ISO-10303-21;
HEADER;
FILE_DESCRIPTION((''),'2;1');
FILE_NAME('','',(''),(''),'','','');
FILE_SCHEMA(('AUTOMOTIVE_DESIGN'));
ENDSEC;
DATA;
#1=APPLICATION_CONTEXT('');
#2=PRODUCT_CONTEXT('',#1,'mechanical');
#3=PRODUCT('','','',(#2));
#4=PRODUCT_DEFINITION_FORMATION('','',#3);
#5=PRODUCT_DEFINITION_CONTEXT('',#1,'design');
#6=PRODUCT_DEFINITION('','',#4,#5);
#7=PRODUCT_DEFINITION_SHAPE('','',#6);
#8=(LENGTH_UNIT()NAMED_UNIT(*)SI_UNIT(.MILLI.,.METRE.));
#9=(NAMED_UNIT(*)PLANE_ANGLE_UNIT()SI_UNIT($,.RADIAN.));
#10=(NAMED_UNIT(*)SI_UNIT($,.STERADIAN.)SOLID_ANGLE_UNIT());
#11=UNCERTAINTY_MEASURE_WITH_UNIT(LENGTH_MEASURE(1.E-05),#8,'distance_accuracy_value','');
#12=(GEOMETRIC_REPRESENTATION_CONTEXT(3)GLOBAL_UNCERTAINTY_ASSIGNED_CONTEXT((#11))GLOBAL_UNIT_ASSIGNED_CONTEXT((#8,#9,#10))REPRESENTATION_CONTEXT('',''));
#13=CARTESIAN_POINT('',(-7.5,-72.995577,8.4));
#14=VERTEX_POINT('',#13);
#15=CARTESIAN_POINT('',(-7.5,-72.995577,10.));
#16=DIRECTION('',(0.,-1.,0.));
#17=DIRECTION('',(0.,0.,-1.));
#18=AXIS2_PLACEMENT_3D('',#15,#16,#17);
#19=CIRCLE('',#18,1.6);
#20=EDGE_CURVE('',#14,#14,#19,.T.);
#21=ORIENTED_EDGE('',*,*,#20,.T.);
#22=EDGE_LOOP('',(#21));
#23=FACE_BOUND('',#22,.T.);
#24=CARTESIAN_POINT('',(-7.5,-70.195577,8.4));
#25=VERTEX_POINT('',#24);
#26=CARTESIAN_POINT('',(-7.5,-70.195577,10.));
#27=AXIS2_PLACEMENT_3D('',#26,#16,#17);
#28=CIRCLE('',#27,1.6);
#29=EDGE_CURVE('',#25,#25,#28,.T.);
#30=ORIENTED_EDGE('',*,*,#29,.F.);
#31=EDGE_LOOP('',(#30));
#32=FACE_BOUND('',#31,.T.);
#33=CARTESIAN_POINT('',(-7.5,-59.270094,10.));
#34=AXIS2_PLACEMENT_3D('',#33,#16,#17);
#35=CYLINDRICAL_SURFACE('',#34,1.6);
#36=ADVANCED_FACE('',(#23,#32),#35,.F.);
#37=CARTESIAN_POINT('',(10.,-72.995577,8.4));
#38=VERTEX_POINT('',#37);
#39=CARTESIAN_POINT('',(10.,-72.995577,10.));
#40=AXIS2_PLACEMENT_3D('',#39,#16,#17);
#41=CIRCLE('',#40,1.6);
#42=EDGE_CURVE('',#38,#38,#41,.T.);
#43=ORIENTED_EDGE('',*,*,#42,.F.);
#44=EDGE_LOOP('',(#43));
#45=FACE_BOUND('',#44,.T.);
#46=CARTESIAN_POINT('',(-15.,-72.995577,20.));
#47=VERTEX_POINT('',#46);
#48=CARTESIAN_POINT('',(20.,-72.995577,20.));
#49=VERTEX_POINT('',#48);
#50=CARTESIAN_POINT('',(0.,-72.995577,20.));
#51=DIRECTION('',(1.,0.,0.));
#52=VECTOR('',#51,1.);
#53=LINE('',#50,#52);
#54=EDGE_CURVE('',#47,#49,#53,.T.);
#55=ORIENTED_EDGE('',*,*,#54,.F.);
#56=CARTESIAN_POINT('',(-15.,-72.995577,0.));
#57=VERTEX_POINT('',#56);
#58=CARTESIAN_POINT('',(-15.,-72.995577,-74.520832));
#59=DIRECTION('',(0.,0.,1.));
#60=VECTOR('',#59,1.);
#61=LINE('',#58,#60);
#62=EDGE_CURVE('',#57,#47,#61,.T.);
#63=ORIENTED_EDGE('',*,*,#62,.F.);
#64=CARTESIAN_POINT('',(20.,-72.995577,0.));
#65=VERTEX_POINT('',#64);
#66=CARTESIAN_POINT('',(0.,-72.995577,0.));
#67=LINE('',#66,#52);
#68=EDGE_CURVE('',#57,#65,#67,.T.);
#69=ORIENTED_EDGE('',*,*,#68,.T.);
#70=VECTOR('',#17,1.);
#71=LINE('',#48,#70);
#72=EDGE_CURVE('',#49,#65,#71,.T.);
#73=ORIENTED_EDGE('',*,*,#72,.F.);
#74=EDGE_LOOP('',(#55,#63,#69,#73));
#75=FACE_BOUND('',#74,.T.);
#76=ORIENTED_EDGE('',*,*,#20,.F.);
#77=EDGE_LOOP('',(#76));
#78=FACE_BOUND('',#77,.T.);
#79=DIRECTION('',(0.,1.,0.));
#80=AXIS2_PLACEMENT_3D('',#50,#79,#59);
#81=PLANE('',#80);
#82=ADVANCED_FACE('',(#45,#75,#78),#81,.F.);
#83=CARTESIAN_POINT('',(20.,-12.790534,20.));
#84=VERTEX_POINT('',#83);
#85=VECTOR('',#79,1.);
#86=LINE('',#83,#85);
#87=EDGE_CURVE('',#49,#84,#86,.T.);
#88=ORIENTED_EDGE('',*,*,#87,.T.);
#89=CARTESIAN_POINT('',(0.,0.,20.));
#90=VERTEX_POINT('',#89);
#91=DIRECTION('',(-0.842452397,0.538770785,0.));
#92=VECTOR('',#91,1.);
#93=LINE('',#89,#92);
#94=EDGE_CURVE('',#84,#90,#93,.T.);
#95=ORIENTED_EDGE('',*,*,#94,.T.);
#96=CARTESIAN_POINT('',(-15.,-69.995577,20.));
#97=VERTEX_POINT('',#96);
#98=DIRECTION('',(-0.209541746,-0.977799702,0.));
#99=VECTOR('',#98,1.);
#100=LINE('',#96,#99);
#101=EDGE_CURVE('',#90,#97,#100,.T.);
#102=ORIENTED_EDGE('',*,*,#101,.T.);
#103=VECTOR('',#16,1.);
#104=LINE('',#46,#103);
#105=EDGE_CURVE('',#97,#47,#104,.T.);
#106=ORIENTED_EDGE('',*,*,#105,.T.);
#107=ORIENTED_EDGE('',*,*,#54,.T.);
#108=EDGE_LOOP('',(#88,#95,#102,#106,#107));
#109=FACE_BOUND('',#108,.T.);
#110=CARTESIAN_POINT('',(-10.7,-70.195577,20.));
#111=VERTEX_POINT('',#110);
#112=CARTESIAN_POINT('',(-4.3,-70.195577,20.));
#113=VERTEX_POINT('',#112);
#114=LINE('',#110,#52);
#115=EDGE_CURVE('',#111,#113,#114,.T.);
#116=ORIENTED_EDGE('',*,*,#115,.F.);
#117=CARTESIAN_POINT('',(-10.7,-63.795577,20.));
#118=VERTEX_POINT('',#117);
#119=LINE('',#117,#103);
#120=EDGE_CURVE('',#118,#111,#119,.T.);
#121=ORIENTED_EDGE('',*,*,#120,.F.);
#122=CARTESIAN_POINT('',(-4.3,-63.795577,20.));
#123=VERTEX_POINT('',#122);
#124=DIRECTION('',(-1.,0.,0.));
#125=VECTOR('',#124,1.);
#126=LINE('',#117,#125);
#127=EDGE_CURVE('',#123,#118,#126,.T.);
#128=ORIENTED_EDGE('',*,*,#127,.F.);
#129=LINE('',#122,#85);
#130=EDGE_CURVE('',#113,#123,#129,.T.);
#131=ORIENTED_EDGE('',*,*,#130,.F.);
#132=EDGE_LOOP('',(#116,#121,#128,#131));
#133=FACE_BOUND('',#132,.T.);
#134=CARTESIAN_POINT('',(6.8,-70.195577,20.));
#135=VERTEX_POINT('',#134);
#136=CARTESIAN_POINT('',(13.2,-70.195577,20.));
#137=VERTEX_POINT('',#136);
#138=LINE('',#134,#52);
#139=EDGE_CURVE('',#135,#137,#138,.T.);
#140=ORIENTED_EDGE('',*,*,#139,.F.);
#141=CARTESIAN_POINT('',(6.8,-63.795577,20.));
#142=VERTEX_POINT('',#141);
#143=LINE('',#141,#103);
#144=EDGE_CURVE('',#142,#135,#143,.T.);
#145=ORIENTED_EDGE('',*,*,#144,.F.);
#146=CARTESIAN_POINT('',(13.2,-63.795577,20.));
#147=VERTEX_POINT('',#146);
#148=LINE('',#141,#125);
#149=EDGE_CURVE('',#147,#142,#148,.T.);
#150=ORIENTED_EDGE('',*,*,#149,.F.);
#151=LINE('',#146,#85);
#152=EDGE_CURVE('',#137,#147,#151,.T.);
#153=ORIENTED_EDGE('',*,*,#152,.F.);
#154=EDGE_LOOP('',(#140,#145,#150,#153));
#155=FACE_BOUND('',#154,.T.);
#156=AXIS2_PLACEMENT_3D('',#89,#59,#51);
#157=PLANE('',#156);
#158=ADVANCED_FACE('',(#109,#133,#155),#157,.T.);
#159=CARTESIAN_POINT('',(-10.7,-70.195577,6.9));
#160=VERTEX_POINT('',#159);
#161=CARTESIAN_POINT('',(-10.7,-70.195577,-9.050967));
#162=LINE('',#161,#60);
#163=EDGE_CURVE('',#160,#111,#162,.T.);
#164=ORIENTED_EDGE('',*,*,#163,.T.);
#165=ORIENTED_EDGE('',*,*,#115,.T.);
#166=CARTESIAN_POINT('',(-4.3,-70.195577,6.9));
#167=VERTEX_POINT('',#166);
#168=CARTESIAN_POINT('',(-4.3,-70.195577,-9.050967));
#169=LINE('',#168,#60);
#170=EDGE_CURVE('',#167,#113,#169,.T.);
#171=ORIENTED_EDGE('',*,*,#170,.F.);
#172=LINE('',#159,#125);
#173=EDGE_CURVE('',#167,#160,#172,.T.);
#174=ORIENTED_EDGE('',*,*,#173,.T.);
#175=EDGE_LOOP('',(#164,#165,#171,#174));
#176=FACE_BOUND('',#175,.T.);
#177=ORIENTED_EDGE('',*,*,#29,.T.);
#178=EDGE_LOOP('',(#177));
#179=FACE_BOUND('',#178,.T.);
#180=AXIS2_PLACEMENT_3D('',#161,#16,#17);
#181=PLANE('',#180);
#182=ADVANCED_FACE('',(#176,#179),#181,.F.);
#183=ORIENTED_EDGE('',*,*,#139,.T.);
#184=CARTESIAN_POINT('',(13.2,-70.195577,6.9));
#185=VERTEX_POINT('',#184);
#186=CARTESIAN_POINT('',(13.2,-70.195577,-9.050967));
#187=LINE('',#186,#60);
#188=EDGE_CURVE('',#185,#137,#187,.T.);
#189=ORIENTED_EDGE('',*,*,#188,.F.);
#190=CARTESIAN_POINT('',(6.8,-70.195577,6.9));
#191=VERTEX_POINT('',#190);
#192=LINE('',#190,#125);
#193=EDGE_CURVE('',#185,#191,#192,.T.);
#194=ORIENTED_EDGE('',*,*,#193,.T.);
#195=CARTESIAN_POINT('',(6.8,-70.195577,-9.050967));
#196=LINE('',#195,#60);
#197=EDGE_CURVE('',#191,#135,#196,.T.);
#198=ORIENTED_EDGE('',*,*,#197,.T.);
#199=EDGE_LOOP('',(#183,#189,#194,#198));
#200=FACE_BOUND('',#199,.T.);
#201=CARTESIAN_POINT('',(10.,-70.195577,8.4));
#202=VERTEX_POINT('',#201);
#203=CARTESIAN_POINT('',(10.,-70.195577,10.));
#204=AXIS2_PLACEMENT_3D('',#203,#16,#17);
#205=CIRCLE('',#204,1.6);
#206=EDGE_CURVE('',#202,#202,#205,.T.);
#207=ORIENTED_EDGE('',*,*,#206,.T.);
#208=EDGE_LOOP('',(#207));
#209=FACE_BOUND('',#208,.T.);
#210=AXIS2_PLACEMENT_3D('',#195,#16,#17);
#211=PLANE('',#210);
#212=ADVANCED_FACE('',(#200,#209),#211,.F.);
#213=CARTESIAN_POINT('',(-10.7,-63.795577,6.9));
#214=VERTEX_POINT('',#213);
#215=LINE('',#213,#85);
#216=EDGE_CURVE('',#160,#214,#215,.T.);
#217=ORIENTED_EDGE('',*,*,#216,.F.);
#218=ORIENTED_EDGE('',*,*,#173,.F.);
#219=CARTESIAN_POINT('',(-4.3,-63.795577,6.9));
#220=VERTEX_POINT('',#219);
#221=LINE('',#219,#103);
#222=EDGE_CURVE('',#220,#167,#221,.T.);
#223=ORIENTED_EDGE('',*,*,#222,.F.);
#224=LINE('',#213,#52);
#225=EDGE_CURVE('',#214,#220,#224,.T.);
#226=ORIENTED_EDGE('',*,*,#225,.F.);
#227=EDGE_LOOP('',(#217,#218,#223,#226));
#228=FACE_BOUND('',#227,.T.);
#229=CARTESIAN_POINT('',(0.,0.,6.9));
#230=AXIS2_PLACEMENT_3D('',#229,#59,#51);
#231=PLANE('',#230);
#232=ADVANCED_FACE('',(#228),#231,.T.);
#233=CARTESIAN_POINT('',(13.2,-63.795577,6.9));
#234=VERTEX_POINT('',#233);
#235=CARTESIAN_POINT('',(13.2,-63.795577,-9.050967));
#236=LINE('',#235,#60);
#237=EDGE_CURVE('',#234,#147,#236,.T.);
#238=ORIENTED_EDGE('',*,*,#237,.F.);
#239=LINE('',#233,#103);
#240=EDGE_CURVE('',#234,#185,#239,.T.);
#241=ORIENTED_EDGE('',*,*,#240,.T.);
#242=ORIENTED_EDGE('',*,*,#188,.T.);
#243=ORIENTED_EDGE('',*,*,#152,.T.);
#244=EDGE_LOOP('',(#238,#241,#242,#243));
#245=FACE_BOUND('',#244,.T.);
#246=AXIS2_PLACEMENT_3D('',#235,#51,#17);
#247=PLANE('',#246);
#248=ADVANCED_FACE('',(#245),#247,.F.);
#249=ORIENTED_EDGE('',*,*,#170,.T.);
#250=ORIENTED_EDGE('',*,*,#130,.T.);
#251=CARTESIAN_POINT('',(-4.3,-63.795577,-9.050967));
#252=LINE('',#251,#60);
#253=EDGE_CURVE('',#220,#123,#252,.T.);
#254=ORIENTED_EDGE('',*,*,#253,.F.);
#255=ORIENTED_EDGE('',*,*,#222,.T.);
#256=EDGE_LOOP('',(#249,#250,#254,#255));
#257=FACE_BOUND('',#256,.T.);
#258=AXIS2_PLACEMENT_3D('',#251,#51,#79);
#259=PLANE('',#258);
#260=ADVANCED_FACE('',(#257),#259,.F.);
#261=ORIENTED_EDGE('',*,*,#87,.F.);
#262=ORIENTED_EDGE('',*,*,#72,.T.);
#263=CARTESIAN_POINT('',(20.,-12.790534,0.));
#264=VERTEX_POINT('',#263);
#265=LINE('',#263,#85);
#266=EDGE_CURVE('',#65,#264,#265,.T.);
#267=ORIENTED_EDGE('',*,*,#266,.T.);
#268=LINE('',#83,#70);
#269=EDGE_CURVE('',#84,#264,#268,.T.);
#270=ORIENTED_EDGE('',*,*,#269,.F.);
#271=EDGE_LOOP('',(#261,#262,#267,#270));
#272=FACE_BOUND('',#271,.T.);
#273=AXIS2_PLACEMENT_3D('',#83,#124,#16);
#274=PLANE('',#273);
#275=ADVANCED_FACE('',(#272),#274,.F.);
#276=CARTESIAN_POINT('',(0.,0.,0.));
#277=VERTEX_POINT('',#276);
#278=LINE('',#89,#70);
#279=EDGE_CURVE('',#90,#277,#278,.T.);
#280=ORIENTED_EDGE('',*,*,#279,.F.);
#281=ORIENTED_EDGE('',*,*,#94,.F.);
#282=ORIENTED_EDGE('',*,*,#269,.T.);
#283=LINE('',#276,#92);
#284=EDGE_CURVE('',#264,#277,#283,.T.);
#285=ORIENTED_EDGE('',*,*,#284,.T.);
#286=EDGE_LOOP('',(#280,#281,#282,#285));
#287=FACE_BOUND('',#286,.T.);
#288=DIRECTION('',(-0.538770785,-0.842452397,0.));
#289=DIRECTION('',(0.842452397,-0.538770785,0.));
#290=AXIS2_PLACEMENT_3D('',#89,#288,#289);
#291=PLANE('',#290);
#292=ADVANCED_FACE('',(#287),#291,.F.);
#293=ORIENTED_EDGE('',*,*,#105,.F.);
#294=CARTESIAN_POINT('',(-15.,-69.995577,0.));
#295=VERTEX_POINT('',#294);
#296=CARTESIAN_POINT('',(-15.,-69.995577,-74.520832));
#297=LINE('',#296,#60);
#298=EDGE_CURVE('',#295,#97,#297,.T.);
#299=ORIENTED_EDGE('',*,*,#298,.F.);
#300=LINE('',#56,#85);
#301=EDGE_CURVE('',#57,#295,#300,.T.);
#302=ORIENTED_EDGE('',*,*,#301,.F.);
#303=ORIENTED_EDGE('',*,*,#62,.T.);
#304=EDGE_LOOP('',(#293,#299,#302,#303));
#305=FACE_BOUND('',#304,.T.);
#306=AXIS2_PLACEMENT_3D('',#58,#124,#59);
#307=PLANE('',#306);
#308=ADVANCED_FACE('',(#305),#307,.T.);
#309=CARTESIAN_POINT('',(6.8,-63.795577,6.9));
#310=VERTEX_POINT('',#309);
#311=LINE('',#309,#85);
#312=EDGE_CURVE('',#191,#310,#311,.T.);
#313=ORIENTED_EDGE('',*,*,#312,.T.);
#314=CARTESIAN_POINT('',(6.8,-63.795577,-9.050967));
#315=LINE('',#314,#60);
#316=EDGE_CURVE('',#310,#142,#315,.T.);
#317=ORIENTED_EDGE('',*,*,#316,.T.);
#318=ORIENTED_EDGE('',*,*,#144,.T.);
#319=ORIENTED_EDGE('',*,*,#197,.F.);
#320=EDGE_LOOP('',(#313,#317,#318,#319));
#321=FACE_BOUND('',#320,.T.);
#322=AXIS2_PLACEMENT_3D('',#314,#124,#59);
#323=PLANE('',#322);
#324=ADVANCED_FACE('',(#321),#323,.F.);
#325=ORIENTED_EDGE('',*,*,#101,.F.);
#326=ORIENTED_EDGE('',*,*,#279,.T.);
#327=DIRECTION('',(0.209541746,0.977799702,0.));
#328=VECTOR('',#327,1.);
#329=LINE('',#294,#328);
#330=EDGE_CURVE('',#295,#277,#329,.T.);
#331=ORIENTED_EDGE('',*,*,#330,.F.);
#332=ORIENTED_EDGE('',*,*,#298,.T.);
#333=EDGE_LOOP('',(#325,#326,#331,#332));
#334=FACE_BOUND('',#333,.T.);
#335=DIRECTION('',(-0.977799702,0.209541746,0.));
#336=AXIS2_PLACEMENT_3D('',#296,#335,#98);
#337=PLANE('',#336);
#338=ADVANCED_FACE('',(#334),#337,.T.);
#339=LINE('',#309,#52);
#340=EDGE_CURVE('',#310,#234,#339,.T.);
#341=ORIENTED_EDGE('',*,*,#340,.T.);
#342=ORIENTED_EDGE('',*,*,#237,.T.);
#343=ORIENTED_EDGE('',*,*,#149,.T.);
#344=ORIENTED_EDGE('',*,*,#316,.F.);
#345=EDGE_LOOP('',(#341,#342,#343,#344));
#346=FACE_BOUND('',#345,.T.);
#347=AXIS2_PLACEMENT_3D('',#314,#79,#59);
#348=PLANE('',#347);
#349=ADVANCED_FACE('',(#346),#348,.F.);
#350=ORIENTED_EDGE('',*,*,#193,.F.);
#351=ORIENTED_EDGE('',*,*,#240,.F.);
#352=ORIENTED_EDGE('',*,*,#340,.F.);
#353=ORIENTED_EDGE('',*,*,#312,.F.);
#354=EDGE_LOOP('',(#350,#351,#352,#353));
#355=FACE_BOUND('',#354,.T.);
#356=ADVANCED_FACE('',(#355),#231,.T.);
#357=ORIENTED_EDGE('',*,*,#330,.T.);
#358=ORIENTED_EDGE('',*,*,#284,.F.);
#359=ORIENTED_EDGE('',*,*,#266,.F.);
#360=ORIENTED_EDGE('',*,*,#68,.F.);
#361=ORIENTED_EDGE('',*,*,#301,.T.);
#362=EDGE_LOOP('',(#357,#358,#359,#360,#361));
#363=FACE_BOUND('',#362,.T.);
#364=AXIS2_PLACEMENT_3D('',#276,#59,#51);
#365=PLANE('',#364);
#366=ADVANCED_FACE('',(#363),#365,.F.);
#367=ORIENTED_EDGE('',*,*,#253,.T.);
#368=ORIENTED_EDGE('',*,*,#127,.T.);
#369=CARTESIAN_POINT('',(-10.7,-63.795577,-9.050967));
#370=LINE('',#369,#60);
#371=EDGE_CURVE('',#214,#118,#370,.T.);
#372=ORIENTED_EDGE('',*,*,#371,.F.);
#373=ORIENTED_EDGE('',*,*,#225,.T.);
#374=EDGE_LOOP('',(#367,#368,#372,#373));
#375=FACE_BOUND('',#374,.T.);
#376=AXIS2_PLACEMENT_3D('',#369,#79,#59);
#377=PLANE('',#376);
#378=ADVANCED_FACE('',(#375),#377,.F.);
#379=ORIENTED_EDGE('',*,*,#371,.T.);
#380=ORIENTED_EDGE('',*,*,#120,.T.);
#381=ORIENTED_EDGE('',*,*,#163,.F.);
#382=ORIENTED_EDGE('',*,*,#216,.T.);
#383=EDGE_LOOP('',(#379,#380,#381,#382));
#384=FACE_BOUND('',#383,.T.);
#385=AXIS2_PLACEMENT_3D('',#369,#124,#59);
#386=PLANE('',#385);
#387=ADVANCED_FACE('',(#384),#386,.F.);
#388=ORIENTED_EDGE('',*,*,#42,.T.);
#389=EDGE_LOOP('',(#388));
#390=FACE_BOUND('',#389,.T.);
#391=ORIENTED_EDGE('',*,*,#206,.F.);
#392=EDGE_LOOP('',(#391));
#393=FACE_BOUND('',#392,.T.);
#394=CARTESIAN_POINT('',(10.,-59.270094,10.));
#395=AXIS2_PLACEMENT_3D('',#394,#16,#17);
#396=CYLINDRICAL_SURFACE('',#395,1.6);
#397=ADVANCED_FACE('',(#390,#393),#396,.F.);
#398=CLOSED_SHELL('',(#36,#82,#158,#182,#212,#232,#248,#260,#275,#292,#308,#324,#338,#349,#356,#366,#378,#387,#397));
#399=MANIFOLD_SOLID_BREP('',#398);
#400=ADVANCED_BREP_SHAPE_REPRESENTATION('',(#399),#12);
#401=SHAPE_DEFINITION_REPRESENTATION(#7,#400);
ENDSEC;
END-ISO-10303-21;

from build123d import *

# Parameters (mm, degrees)
EXTRUDE_1_DEPTH     = 20
EXTRUDE_2_DEPTH     = 20
SKETCH_11_W         = 6.4
SKETCH_11_H         = 6.4
CUT_EXTRUDE_2_DEPTH = 13.1
SKETCH_4_R          = 1.6
CUT_EXTRUDE_1_DEPTH = 9.2


with BuildPart() as part:
    # 草图3 → 凸台-拉伸1 (new body)
    with BuildSketch(Plane.XY):
        Polygon((0, 0), (20, -12.790533612), (20, -72.995577455), (0, -72.995577455), align=None)
    extrude(amount=EXTRUDE_1_DEPTH)

    # 草图6 → 凸台-拉伸2 (add)
    with BuildSketch(Plane.XY.offset(20)):
        Polygon((0, -72.995577455), (-15, -72.995577455), (-15, -69.995577455), (0, 0), (0, -69.995577455), align=None)
    extrude(amount=-EXTRUDE_2_DEPTH)

    # 草图11 → 切除-拉伸2 (cut)
    with BuildSketch(Plane.XY.offset(20)):
        with Locations((-7.5, -66.995577455)):
            Rectangle(SKETCH_11_W, SKETCH_11_H)
        with Locations((10, -66.995577455)):
            Rectangle(SKETCH_11_W, SKETCH_11_H)
    extrude(amount=-CUT_EXTRUDE_2_DEPTH, mode=Mode.SUBTRACT)

    # 草图4 → 切除-拉伸1 (cut)
    with BuildSketch(Plane.XZ.offset(72.995577455)):
        with Locations(Location((10, 10, 0), (0, 0, 270))):
            Circle(SKETCH_4_R)
        with Locations(Location((-7.5, 10, 0), (0, 0, 270))):
            Circle(SKETCH_4_R)
    extrude(amount=-CUT_EXTRUDE_1_DEPTH, mode=Mode.SUBTRACT)


solid = part.part
